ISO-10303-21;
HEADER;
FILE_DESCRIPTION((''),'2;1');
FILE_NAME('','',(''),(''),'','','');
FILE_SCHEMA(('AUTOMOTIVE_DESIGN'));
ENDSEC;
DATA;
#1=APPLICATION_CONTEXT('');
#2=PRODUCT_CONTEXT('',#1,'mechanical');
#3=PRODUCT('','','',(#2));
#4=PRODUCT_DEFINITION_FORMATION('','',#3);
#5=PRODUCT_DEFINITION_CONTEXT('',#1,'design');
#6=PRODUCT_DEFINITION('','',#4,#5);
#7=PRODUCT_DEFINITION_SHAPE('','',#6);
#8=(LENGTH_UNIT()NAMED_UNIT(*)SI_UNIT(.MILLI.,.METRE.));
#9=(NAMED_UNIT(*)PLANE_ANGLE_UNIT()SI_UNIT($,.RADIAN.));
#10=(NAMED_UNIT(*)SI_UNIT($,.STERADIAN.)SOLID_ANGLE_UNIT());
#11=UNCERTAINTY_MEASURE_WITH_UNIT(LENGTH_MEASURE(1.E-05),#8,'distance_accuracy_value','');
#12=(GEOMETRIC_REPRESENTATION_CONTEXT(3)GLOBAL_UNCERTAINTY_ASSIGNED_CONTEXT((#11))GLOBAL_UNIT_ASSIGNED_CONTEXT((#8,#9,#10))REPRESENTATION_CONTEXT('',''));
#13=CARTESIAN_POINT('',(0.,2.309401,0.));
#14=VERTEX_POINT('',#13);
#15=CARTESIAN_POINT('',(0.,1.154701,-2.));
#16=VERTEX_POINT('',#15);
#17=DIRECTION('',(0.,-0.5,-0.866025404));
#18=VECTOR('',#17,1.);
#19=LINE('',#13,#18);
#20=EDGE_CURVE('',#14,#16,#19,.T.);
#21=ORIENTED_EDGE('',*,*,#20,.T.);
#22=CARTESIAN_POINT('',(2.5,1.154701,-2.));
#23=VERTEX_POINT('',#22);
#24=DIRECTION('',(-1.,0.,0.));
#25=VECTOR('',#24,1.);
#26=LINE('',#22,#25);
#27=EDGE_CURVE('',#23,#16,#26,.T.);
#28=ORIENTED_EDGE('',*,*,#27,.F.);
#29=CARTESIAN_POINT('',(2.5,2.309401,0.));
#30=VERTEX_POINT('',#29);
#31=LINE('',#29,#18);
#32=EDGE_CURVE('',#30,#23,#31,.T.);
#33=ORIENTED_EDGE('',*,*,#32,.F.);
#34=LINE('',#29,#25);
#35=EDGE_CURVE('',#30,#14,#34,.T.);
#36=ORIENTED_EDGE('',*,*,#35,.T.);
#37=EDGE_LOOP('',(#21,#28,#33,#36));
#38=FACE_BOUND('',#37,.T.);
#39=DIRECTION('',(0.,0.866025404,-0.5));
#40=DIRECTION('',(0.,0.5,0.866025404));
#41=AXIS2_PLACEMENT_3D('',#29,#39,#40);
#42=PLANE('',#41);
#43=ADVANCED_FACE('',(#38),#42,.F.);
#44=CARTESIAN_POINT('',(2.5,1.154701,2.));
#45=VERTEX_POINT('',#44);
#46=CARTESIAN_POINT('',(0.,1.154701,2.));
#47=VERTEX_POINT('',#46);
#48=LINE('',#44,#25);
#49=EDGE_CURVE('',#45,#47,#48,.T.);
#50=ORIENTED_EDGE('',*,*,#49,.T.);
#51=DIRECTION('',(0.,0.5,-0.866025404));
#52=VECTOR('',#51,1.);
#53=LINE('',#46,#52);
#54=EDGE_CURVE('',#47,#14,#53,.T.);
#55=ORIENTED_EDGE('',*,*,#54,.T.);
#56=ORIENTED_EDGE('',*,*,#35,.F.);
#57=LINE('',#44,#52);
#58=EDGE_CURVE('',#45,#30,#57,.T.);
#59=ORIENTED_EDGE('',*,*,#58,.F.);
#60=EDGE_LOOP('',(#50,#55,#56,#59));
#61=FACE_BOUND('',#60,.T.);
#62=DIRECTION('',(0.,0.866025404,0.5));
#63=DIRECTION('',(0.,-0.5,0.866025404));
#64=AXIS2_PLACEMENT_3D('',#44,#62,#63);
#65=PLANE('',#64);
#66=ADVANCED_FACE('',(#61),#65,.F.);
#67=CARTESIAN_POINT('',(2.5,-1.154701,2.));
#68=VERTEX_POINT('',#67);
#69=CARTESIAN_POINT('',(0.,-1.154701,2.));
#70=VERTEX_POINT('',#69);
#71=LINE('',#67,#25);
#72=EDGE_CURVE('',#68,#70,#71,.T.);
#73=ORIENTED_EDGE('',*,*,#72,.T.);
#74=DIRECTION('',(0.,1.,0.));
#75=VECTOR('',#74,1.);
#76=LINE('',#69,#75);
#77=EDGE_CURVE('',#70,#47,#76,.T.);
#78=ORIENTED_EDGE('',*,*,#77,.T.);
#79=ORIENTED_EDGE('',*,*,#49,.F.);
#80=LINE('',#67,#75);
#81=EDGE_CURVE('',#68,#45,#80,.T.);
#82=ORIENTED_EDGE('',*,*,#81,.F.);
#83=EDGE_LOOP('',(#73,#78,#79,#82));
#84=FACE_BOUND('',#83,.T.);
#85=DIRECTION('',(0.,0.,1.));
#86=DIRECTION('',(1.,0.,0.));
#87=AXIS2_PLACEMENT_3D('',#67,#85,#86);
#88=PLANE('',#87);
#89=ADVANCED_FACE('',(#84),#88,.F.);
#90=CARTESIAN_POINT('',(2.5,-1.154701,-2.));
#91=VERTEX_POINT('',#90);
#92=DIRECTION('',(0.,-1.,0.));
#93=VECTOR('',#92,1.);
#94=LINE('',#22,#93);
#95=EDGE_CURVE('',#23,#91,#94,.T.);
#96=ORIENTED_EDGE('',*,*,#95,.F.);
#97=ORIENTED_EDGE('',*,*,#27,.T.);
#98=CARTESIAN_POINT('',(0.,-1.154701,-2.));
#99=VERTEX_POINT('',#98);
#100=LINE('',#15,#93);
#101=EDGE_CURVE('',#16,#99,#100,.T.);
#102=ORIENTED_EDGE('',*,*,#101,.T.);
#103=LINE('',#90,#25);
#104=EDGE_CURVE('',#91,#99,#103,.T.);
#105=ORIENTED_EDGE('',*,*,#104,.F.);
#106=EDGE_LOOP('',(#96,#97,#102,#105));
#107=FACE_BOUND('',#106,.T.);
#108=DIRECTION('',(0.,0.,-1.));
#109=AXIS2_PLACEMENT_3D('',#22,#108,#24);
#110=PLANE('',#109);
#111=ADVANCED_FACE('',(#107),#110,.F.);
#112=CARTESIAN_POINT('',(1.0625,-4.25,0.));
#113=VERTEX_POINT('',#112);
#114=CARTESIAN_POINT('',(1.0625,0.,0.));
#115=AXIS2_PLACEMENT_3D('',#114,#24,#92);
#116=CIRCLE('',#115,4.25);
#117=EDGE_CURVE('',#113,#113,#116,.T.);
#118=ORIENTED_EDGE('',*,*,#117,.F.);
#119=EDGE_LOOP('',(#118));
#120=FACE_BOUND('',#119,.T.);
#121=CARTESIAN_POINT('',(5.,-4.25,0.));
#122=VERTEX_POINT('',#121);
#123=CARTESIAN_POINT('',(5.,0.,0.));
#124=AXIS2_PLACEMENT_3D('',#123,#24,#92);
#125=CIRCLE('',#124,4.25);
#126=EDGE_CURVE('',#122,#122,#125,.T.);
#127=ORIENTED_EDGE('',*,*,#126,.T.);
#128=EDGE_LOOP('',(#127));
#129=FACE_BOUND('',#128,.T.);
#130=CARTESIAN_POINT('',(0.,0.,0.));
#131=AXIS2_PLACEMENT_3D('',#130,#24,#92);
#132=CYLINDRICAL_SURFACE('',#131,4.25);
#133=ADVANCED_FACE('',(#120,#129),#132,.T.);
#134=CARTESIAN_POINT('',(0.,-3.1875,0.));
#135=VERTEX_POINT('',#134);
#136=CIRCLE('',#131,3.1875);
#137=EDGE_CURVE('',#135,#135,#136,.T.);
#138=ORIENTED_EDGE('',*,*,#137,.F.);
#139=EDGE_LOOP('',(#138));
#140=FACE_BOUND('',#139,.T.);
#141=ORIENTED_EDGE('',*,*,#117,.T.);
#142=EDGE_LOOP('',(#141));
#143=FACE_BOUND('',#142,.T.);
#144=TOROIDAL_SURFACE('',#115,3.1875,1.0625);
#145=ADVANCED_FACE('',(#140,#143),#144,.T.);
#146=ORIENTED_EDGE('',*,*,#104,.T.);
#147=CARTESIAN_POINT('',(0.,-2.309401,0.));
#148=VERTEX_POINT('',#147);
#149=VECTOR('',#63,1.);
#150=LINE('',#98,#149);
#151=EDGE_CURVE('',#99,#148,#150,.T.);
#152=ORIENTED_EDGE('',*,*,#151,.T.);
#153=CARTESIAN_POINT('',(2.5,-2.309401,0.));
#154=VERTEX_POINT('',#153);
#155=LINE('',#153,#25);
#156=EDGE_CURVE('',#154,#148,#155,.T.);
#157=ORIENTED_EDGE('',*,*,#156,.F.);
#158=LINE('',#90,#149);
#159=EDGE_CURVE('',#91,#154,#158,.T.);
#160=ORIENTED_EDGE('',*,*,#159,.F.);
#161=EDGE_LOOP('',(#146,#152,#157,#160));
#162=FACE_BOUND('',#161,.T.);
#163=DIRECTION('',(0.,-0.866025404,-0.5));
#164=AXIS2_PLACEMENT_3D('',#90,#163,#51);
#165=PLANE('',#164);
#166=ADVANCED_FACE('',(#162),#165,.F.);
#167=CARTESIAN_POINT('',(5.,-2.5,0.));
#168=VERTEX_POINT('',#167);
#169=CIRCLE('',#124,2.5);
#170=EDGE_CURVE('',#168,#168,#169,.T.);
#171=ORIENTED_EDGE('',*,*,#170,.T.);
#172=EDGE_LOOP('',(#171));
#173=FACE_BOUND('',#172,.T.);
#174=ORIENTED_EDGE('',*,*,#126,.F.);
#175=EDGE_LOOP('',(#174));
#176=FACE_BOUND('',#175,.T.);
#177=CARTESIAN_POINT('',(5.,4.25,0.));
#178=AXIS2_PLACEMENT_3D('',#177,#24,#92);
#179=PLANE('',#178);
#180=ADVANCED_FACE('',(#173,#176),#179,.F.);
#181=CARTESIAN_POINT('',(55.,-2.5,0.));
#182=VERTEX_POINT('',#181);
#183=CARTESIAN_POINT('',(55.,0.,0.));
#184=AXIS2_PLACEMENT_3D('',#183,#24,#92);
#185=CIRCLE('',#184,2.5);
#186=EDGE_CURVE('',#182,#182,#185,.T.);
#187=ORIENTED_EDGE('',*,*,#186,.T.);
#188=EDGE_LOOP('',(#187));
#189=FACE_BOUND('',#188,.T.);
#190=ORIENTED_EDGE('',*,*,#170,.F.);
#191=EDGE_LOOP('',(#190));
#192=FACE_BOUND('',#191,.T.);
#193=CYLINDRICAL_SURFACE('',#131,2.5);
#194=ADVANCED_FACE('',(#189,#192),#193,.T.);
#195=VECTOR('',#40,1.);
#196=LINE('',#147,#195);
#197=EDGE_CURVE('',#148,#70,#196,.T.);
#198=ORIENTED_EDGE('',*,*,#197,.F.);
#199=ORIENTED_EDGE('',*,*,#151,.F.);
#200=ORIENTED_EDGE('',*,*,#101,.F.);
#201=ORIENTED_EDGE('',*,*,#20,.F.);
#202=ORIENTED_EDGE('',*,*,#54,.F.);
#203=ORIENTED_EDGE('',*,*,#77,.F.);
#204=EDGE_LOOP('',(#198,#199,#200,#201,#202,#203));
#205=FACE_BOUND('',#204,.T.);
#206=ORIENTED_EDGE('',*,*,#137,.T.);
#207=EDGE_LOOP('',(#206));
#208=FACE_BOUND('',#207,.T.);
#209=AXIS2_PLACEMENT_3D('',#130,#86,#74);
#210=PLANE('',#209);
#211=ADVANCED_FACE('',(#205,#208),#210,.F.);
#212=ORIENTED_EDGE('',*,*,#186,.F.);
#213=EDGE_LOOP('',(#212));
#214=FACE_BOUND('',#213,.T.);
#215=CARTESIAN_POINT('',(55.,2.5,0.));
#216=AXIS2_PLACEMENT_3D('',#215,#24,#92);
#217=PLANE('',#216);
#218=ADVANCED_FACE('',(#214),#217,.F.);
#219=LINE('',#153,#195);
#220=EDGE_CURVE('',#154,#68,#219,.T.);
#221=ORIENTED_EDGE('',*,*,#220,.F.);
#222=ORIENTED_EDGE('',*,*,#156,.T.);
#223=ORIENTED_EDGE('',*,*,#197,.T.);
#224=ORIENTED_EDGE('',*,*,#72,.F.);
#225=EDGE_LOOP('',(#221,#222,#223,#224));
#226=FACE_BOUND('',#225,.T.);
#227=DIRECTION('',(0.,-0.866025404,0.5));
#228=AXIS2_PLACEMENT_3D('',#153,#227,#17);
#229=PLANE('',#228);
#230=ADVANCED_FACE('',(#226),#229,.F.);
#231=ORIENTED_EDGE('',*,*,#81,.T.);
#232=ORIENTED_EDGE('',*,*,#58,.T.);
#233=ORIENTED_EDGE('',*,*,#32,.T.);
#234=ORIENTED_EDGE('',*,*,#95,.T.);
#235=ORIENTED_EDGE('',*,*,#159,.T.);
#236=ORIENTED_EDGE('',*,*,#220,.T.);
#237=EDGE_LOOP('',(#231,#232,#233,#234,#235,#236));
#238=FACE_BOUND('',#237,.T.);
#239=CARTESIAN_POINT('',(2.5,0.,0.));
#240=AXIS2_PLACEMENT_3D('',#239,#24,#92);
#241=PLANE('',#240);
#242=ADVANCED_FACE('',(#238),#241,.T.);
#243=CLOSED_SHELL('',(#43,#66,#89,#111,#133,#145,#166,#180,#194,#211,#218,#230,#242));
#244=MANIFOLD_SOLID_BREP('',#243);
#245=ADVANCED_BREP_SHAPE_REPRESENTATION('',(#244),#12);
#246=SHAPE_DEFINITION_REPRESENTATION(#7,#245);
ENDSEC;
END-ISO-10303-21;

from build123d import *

# Parameters (mm, degrees)
CUT_EXTRUDE1_DEPTH = 2.5


with BuildPart() as part:
    # Sketch1 → Revolve1 (revolve)
    with BuildSketch(Plane.XY, mode=Mode.PRIVATE) as revolve1_sk:
        with BuildLine():
            Line((0, 0), (0, 3.1875))
            ThreePointArc((0, 3.1875), (0.311199045, 3.938800955), (1.0625, 4.25))
            Line((1.0625, 4.25), (5, 4.25))
            Line((5, 4.25), (5, 2.5))
            Line((5, 2.5), (55, 2.5))
            Line((55, 2.5), (55, 0))
            Line((55, 0), (0, 0))
        make_face()
    revolve(revolve1_sk.sketch.rotate(Axis((0, 0, 0), (1, 0, 0)), 180), axis=Axis((0, 0, 0), (1, 0, 0)))

    # Sketch2 → Cut-Extrude1 (cut)
    with BuildSketch(Plane.ZY):
        Polygon((0, 2.309401077), (-2, 1.154700538), (-2, -1.154700538), (0, -2.309401077), (2, -1.154700538), (2, 1.154700538), align=None)
    extrude(amount=-CUT_EXTRUDE1_DEPTH, mode=Mode.SUBTRACT)


solid = part.part
